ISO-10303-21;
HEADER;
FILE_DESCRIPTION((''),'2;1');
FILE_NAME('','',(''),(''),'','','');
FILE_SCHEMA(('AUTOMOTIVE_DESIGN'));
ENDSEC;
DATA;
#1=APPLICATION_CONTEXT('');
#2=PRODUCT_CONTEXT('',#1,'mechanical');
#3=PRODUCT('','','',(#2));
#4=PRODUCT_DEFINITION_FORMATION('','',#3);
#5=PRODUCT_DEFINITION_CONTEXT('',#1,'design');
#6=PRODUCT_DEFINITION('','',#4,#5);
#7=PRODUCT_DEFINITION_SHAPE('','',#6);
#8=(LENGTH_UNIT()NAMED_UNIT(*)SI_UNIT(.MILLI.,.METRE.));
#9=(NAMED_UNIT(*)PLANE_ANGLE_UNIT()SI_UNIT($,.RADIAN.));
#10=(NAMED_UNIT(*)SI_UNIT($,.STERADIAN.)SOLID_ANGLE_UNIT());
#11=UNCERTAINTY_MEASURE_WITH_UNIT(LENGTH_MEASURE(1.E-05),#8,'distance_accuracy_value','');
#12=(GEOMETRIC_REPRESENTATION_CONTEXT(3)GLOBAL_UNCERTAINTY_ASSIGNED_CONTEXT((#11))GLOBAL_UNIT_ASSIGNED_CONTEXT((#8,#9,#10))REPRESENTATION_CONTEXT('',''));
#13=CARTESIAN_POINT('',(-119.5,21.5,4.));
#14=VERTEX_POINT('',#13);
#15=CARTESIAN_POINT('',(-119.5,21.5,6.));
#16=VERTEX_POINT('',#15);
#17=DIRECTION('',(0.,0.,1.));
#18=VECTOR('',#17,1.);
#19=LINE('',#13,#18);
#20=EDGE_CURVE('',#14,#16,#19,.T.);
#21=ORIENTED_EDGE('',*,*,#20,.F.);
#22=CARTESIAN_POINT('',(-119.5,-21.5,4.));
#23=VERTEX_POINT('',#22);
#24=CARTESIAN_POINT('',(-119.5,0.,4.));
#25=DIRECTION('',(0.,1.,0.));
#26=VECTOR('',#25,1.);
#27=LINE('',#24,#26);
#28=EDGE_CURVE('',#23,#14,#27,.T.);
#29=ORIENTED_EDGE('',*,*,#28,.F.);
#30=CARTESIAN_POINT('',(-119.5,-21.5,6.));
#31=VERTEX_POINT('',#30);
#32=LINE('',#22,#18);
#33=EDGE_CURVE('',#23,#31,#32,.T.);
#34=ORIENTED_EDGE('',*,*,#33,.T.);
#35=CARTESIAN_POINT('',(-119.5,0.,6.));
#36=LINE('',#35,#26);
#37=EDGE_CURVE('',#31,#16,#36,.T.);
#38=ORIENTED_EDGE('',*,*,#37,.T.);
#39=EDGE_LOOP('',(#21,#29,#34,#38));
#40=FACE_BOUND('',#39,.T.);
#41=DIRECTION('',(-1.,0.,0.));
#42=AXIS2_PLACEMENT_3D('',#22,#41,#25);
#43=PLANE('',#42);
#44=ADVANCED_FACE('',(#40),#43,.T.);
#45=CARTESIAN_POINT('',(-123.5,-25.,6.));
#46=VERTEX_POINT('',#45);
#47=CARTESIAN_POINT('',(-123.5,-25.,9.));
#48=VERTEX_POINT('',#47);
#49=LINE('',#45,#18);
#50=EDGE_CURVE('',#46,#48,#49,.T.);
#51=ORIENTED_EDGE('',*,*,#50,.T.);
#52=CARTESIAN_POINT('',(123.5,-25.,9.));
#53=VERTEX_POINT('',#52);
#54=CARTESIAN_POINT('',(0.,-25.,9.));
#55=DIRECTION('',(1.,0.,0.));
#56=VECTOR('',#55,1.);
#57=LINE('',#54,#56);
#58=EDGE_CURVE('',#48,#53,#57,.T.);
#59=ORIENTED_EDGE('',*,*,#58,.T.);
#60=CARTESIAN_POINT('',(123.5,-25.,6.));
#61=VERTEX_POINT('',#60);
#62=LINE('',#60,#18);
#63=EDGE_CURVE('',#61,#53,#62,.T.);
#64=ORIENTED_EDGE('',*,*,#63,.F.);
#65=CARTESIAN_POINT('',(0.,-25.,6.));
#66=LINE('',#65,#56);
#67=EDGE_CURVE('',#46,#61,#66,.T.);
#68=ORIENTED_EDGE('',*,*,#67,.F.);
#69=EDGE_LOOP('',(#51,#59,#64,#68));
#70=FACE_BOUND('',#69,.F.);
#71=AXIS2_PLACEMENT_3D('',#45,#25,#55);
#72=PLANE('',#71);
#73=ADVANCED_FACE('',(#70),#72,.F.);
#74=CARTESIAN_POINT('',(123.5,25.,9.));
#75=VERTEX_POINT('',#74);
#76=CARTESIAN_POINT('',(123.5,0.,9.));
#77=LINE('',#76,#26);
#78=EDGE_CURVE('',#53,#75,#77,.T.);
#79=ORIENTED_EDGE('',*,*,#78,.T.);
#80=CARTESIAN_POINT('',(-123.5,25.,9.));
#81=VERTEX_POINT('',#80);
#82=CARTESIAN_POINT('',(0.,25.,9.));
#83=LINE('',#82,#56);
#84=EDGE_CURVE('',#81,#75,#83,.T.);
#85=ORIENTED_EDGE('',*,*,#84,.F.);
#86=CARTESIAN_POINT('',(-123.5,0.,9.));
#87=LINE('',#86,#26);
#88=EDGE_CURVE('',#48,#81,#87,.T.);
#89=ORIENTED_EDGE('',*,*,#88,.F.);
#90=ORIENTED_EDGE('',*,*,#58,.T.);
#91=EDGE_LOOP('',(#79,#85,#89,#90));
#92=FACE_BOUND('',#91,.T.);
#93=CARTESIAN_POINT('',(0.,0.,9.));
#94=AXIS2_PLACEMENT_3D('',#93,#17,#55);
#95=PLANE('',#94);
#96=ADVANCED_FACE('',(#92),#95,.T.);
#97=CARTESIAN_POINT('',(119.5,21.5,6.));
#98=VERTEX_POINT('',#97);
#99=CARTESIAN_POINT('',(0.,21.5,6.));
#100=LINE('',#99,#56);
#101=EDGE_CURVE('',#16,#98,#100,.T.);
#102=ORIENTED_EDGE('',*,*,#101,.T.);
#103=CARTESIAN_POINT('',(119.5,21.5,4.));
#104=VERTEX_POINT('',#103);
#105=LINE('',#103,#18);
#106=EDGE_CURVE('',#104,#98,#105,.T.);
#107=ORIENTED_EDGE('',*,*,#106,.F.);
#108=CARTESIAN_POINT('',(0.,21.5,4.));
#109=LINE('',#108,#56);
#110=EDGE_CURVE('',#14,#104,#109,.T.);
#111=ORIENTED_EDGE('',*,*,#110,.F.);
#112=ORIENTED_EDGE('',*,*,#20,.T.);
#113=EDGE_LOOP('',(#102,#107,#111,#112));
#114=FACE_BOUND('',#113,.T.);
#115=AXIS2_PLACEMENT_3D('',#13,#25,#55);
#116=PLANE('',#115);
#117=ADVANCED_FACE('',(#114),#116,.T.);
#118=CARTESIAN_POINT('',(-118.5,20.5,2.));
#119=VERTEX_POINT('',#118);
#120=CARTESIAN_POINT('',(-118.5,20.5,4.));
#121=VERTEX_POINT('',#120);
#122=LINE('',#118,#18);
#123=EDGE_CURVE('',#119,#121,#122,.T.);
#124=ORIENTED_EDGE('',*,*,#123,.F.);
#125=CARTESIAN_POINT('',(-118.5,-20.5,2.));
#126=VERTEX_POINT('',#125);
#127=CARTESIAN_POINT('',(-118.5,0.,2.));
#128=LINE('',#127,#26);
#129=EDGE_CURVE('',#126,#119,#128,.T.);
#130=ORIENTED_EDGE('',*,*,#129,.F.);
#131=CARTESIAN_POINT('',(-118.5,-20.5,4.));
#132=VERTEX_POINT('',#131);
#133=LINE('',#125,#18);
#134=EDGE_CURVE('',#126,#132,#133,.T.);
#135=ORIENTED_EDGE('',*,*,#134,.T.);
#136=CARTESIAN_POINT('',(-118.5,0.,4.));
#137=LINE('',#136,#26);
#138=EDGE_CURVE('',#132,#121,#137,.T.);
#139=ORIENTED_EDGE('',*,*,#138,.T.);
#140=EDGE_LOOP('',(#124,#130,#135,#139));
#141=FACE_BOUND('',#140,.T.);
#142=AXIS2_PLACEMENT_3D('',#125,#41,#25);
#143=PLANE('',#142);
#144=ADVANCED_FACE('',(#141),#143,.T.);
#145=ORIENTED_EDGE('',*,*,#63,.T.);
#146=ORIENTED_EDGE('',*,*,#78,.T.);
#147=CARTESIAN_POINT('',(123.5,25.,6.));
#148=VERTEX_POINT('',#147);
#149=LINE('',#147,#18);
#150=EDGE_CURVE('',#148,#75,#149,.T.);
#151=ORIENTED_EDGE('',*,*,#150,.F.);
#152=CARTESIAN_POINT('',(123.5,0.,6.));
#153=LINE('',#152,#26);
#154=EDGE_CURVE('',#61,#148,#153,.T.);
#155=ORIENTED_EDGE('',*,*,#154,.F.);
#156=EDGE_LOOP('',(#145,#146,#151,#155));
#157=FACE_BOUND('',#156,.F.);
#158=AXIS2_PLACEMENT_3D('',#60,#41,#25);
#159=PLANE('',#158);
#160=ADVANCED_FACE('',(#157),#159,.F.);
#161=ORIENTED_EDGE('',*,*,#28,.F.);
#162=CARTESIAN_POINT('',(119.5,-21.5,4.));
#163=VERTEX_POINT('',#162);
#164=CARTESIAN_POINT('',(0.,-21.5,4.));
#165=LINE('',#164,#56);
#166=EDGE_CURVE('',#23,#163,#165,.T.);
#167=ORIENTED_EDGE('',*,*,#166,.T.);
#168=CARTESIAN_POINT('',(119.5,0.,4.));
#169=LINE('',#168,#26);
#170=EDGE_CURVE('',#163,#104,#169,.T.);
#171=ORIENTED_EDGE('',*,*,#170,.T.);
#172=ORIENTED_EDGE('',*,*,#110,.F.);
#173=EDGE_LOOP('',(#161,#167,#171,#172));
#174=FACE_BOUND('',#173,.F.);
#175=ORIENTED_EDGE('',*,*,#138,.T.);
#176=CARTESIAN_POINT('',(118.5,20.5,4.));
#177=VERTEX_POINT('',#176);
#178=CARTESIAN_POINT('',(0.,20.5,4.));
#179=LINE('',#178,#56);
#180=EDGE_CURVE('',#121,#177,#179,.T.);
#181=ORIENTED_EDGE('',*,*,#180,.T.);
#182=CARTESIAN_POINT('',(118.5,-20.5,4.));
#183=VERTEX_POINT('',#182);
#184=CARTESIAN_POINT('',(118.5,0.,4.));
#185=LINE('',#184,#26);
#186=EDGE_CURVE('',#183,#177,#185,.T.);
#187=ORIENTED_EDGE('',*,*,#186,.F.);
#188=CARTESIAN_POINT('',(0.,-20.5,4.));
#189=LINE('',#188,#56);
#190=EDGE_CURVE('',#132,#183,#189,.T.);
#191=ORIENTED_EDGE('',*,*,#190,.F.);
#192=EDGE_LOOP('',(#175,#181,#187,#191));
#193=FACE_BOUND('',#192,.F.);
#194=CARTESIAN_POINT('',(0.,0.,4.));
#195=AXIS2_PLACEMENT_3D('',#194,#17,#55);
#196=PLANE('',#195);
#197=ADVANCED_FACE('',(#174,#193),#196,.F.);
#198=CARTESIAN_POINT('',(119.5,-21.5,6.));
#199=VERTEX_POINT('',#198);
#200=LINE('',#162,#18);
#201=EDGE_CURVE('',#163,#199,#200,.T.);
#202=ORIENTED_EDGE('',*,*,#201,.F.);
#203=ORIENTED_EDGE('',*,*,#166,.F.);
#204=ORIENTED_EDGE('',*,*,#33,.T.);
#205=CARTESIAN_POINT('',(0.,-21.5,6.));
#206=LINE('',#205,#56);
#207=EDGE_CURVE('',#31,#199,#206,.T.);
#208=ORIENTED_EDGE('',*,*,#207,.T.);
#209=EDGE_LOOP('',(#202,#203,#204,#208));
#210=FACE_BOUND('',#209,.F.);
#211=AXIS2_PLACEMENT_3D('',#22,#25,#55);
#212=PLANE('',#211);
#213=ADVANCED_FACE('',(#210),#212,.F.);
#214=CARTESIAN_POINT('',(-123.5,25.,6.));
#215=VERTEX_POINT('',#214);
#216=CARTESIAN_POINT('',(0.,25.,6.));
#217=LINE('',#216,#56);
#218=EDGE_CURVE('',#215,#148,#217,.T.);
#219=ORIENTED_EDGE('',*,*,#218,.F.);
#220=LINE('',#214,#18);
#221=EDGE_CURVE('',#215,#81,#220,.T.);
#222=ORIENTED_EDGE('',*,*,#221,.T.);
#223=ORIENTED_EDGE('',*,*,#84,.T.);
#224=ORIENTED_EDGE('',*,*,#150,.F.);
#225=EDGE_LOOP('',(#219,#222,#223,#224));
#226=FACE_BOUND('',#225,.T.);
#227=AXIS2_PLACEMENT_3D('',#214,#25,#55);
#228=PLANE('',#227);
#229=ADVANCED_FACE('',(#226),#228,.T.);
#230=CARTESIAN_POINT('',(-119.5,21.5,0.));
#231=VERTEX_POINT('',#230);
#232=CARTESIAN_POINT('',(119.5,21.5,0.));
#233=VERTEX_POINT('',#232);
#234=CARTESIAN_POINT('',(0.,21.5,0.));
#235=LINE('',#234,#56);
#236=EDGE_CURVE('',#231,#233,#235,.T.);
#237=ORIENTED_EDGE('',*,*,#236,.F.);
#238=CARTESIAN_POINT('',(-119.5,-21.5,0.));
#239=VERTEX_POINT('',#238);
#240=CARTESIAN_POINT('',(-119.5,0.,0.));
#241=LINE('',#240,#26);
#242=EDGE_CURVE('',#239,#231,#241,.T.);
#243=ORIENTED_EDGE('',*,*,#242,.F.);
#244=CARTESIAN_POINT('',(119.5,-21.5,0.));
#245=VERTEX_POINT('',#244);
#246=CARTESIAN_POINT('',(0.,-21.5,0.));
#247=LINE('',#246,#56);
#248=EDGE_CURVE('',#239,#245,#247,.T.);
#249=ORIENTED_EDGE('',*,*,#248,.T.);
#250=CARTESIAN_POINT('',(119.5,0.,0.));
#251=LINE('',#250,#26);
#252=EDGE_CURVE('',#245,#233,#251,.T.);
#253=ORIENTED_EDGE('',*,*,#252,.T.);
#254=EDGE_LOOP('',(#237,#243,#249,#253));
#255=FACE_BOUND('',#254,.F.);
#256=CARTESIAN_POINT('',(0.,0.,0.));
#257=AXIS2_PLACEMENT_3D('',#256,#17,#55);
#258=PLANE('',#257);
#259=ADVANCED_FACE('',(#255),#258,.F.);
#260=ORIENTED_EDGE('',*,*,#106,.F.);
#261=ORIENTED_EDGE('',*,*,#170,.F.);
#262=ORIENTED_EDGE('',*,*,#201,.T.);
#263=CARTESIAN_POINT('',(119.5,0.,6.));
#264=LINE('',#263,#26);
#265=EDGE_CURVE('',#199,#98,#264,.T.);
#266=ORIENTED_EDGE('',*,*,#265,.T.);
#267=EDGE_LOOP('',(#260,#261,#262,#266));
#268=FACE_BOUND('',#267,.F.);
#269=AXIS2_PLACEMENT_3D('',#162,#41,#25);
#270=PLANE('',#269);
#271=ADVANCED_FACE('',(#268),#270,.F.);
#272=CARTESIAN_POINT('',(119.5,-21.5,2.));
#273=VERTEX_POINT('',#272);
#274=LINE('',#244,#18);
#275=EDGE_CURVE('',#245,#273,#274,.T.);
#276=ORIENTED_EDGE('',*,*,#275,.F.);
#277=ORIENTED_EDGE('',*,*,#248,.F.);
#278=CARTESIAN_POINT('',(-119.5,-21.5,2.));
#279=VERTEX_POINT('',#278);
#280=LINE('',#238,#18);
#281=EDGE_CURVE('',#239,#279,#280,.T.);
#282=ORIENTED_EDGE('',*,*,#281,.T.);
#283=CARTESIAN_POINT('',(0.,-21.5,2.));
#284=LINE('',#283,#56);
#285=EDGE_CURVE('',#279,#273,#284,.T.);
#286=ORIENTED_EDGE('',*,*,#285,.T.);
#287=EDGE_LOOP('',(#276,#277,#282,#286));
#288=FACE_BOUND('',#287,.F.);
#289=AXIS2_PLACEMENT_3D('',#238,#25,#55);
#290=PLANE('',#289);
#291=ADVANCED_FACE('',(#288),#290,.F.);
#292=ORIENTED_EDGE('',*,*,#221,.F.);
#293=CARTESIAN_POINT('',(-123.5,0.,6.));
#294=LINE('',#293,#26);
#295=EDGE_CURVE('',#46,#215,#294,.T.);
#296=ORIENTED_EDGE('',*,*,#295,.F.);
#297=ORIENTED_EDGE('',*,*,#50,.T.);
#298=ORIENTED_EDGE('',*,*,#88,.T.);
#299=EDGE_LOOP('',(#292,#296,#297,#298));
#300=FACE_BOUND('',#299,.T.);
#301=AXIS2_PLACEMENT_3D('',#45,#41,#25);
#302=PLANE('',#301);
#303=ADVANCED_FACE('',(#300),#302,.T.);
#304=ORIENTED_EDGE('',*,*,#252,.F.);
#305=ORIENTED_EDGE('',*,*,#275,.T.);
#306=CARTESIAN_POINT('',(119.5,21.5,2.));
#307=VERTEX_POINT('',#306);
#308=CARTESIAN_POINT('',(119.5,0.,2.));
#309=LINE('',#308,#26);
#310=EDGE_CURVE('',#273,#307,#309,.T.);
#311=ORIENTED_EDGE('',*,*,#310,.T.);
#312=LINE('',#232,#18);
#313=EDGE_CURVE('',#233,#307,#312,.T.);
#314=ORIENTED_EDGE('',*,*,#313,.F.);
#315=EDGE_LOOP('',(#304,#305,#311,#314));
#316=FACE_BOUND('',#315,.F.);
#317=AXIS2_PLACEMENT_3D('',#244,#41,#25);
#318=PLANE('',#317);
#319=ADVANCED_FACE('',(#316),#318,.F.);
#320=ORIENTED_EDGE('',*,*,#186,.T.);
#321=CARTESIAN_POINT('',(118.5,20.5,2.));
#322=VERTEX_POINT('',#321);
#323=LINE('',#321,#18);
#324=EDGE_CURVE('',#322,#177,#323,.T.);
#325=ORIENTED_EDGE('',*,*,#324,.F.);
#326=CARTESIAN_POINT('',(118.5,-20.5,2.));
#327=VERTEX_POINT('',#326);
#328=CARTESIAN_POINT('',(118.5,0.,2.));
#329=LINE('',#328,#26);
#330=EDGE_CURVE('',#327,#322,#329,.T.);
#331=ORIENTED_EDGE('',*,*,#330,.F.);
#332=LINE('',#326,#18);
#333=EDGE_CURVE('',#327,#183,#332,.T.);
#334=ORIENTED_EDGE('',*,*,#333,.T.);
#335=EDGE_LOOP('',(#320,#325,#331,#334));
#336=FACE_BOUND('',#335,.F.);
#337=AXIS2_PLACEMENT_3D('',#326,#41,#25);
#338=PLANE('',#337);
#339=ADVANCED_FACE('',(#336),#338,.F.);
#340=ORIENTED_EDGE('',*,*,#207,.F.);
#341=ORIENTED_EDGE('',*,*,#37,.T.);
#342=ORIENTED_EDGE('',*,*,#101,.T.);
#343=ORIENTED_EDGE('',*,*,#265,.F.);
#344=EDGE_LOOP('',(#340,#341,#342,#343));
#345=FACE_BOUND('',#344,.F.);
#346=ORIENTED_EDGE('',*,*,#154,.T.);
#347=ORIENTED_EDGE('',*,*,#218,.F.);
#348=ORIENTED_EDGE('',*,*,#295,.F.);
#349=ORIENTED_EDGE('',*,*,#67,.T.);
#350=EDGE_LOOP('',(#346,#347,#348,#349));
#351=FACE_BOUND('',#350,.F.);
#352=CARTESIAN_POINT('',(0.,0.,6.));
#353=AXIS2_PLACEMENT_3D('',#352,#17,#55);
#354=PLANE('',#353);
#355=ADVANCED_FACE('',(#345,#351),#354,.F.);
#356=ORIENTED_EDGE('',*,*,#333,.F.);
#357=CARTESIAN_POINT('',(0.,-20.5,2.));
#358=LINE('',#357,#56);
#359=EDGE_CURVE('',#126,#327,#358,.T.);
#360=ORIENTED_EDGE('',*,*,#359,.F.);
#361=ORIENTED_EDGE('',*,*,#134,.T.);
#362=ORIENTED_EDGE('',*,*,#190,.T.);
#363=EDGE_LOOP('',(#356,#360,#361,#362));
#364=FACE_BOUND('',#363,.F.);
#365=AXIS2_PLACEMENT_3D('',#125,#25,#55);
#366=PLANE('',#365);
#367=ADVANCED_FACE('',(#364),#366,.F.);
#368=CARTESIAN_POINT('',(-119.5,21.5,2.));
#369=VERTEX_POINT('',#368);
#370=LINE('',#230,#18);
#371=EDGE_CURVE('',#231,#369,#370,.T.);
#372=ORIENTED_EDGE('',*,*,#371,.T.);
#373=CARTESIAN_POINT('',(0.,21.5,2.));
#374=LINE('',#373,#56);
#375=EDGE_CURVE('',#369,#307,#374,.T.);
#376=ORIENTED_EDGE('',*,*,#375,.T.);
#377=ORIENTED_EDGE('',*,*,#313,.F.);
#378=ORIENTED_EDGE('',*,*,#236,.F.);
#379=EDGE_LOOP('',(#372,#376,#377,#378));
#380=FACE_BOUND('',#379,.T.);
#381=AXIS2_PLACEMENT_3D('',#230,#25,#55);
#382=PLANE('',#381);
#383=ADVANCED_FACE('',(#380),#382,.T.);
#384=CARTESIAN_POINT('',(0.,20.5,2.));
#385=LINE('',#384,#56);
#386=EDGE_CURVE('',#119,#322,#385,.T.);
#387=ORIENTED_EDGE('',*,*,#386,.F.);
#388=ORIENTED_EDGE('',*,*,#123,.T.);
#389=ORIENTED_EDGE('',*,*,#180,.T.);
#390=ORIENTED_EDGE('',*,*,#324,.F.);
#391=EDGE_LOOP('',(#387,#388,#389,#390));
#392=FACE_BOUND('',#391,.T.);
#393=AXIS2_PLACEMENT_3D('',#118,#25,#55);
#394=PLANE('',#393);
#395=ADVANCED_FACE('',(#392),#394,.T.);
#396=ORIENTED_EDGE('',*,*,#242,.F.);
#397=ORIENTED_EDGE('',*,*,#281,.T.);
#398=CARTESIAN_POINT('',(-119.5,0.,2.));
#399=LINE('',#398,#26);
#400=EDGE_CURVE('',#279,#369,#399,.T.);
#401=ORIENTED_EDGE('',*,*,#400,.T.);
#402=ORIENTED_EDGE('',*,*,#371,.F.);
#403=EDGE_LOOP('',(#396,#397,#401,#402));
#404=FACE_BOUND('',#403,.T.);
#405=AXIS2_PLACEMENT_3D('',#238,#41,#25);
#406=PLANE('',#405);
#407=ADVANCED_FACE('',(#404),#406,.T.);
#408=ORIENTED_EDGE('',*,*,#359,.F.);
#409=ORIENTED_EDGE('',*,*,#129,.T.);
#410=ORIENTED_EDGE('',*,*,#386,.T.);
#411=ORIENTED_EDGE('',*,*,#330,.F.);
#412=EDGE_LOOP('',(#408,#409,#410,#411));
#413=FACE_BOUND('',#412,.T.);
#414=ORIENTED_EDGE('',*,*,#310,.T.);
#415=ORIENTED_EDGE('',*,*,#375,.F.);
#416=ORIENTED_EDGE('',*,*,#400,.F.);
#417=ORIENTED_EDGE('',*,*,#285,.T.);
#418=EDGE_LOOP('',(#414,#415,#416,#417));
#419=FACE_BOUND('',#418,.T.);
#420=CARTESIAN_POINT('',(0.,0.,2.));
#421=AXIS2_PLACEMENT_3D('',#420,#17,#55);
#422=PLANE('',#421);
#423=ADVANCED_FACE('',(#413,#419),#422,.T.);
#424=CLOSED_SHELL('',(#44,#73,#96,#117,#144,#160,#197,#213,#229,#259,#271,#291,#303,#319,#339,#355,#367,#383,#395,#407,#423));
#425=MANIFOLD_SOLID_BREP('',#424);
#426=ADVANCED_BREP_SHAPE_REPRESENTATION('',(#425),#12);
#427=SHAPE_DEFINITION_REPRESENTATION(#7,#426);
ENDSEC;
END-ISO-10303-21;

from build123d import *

# Parameters (mm, degrees)
F0_W     = 239
F0_H     = 43
F1_DEPTH = 2
F2_W     = 237
F2_H     = 41
F3_DEPTH = 2
F4_W     = 239
F4_H     = 43
F5_DEPTH = 2
F6_W     = 247
F6_H     = 50
F7_DEPTH = 3


with BuildPart() as f1:
    # F0 (on Top) → F1 (new body)
    with BuildSketch(Plane.XY):
        Rectangle(F0_W, F0_H)
    extrude(amount=F1_DEPTH)

    # F2 (on face) → F3 (join)
    with BuildSketch(Plane.XY.offset(2)):
        Rectangle(F2_W, F2_H)
    extrude(amount=F3_DEPTH)

    # F4 (on face) → F5 (join)
    with BuildSketch(Plane.XY.offset(4)):
        Rectangle(F4_W, F4_H)
    extrude(amount=F5_DEPTH)

    # F6 (on face) → F7 (join)
    with BuildSketch(Plane.XY.offset(6)):
        Rectangle(F6_W, F6_H)
    extrude(amount=F7_DEPTH)


solid = f1.part
